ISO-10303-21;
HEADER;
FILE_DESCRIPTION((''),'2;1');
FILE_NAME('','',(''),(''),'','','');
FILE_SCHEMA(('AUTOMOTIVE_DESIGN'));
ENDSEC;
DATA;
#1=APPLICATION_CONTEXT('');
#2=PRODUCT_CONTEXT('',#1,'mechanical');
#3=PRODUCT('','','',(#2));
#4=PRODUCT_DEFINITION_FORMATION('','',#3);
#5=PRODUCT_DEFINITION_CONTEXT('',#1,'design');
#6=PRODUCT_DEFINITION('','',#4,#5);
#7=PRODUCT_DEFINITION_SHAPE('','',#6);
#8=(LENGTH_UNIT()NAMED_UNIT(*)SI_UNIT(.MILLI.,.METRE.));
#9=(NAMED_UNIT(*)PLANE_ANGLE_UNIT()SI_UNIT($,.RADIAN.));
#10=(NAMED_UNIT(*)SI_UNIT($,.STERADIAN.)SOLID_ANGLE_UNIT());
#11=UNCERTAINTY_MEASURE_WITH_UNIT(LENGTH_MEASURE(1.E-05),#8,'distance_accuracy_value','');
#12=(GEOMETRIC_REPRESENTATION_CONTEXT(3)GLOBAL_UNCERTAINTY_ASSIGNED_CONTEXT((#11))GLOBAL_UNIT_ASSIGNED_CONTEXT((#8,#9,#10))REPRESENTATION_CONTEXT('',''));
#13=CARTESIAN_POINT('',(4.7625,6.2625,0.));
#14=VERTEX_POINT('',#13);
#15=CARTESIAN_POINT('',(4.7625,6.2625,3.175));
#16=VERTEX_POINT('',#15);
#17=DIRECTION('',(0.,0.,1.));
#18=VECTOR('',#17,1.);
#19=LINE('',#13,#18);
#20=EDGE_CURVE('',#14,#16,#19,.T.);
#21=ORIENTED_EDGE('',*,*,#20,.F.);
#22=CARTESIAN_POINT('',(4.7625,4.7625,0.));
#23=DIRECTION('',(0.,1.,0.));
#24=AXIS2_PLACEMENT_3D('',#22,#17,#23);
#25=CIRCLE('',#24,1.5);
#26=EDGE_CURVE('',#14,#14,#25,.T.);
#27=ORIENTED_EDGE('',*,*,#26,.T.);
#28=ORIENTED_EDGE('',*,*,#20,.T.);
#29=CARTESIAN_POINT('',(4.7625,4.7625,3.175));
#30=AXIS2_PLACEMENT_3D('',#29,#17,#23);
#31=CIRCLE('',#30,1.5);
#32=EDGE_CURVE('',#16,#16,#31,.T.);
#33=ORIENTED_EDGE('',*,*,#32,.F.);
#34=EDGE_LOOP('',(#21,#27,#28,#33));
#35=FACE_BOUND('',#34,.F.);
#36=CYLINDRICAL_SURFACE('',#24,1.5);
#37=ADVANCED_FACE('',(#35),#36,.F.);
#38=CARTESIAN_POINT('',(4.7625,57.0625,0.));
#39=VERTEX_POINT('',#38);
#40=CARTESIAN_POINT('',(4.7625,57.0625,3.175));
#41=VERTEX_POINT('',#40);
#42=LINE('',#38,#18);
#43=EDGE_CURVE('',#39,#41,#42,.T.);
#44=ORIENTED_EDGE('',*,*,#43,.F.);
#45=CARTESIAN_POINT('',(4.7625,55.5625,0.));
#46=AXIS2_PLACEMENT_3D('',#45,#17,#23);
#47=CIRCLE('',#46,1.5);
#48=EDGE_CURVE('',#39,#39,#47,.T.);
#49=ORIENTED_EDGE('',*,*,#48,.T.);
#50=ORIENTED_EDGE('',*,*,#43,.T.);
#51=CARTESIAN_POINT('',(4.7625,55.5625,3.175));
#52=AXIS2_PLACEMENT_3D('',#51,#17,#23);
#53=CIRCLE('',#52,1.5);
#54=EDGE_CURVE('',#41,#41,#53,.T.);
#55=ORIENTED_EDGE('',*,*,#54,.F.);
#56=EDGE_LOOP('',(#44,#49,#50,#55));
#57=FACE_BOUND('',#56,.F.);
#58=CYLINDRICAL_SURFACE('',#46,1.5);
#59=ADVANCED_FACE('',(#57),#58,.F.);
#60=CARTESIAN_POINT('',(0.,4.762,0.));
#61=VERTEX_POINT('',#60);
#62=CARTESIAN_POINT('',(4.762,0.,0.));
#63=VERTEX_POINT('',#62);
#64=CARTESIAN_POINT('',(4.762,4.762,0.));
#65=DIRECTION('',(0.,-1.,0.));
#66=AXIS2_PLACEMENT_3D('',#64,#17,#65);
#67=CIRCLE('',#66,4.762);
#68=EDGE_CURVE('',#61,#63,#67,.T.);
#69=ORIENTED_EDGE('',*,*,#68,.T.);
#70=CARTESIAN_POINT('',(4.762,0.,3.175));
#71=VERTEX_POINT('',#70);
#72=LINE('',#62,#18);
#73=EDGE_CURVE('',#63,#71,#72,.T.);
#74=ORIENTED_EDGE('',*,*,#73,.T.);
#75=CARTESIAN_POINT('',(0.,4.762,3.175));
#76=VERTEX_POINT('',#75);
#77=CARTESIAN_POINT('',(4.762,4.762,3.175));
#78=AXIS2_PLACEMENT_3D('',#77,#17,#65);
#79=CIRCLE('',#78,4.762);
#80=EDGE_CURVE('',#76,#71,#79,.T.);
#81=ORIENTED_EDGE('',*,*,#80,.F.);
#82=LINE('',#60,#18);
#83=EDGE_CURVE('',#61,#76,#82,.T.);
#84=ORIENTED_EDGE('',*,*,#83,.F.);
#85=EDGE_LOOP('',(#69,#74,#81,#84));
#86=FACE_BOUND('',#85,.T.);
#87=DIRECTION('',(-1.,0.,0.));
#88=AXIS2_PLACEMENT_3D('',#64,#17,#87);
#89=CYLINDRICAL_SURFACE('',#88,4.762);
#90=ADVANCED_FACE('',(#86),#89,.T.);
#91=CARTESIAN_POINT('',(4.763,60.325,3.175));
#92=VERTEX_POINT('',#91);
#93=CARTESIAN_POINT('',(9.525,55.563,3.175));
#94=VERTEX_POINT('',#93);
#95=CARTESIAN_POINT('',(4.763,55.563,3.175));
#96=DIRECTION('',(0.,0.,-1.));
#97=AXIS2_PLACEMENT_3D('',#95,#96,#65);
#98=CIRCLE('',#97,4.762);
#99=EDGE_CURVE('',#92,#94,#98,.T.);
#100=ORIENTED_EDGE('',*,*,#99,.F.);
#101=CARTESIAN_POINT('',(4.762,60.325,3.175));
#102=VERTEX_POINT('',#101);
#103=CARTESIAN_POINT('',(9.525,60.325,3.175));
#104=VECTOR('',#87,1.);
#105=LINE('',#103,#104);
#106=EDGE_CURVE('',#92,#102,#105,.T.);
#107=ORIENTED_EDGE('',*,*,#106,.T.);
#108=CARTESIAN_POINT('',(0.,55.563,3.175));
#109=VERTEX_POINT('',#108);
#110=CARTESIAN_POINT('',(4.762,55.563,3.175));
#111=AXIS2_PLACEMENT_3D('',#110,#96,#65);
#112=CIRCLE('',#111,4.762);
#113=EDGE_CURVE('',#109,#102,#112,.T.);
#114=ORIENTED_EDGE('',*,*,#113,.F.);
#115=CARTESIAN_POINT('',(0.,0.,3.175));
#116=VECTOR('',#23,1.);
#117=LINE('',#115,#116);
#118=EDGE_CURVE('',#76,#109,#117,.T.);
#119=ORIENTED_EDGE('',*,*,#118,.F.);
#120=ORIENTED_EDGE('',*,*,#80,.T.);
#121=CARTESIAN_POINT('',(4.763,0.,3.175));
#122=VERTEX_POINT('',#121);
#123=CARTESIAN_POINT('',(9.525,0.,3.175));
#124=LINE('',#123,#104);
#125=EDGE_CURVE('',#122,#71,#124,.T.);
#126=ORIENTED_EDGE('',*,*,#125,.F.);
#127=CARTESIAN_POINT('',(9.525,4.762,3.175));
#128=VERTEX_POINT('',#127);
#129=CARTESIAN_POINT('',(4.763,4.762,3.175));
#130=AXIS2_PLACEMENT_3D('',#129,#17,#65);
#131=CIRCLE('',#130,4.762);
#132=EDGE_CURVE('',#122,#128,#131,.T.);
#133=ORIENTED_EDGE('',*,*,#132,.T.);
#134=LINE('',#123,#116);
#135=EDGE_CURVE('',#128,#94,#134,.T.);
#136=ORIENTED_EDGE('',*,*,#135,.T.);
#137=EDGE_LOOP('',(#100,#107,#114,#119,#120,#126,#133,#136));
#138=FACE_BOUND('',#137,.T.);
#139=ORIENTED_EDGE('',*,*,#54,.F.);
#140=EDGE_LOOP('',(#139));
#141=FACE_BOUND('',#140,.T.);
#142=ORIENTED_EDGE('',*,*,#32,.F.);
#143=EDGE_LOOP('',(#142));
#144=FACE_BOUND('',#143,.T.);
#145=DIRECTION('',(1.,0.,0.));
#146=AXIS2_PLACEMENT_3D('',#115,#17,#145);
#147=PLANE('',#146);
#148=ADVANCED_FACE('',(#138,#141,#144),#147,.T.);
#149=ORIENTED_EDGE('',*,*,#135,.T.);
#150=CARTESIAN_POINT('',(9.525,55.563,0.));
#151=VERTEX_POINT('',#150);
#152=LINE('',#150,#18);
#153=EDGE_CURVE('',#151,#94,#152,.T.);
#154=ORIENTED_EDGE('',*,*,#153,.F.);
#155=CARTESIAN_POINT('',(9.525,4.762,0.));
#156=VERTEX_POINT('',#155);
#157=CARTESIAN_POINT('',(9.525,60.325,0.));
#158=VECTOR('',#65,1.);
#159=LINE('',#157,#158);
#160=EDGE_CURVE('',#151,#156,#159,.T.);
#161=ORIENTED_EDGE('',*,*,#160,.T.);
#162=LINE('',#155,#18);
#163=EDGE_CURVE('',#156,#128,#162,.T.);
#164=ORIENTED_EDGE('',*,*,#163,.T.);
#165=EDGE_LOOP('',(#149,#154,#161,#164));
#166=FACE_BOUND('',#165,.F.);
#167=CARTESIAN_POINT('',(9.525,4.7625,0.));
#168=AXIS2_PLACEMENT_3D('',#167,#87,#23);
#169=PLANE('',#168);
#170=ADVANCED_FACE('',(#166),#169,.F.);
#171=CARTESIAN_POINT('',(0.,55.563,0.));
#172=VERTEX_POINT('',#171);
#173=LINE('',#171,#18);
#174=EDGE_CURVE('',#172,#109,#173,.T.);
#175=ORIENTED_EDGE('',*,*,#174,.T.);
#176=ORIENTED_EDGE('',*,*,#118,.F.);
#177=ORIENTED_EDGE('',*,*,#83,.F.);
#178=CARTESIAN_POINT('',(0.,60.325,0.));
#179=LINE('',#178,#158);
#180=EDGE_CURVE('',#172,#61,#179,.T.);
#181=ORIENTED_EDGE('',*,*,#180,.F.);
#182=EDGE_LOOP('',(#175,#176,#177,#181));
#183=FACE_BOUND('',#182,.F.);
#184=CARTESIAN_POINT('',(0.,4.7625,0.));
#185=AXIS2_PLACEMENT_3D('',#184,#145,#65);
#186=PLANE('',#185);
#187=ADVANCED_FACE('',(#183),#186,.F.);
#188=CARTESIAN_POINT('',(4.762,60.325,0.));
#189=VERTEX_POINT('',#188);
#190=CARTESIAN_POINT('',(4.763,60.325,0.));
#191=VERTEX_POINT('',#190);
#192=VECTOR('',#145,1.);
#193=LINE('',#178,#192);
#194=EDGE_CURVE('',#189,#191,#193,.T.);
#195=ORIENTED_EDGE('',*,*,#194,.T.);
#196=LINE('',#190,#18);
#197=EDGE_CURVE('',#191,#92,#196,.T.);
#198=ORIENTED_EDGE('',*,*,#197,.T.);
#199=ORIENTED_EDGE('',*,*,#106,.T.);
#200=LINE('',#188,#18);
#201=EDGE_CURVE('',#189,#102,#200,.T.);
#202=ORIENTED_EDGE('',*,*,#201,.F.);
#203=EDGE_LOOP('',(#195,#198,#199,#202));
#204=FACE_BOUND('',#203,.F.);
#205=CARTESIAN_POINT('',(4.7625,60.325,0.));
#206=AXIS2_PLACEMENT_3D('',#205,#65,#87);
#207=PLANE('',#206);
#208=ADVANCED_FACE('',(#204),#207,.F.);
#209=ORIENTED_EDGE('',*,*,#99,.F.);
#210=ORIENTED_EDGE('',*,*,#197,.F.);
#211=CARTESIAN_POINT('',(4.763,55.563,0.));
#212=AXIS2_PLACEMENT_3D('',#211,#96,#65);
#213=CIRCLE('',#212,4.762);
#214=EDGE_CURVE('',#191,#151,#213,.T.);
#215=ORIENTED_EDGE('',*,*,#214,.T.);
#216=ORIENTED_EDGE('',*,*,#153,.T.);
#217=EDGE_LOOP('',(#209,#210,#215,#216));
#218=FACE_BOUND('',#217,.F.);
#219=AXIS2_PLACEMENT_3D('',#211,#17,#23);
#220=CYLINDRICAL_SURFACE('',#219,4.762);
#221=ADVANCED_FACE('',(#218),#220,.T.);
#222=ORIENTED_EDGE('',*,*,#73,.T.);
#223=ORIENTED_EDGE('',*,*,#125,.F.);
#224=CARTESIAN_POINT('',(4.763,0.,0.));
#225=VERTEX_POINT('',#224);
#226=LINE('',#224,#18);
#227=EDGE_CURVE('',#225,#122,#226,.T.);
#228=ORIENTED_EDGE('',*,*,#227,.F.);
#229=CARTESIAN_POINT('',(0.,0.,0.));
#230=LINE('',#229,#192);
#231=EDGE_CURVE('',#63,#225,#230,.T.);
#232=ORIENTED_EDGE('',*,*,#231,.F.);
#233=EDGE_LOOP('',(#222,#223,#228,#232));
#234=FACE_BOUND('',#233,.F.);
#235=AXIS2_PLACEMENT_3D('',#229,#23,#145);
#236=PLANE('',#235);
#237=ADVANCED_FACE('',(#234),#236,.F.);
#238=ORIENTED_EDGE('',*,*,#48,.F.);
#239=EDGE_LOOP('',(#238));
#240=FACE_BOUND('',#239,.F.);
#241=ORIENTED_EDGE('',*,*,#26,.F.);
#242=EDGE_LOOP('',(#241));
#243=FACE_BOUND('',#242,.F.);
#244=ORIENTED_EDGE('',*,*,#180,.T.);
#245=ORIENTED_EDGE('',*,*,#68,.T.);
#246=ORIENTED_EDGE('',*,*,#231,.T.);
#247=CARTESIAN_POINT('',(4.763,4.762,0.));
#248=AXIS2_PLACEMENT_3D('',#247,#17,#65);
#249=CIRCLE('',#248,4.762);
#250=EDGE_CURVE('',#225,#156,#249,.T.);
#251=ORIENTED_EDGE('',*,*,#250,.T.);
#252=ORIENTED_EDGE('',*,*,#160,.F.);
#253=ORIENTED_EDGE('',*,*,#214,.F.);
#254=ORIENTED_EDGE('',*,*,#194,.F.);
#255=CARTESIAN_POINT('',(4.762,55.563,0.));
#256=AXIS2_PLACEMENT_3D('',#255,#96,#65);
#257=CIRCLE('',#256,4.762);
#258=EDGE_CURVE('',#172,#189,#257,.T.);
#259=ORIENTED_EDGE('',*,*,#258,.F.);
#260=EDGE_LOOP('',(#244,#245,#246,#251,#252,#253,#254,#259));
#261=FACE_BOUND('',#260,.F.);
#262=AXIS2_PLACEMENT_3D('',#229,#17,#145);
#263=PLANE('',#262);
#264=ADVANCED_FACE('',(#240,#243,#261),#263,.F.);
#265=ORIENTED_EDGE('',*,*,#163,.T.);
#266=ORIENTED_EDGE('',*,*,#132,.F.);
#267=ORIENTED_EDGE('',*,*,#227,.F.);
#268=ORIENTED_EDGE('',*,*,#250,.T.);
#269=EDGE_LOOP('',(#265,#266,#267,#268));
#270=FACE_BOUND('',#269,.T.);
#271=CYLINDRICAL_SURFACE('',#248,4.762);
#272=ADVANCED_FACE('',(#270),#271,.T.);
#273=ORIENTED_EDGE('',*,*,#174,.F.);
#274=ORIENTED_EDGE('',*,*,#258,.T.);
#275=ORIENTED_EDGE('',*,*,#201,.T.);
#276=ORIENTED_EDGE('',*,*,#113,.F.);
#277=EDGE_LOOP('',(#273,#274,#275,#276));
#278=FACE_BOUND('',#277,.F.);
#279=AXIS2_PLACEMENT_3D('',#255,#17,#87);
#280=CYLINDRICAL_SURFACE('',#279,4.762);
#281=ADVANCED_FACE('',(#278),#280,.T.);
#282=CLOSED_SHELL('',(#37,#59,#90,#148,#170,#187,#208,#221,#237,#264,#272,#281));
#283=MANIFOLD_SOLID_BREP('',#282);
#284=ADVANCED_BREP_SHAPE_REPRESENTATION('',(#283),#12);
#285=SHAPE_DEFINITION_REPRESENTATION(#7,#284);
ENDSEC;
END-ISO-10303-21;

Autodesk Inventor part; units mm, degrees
ref_plane "YZ Plane" through (0, 0, 0) normal (1, 0, 0) x (0, 1, 0)
ref_plane "XZ Plane" through (0, 0, 0) normal (0, 1, 0) x (-1, 0, 0)
ref_plane "XY Plane" through (0, 0, 0) normal (0, 0, 1) x (1, 0, 0)
sketch "Sketch1" plane through (0, 0, 0) normal (0, 0, 1) x (1, 0, 0)
  line L0 (0, 0) -> (9.525, 0)
  line L1 (9.525, 0) -> (9.525, 60.325)
  line L2 (9.525, 60.325) -> (0, 60.325)
  line L3 (0, 60.325) -> (0, 0)
  circle A0 centre (4.7625, 55.5625) radius 4.7625
  circle A1 centre (4.7625, 4.7625) radius 4.7625
  point P0 (4.7625, 0)
  dimension "d0" = 50.8
  dimension "d3" = 9.525
extrude "Extrusion1" add sketch "Sketch1" along normal blind 3.175
hole "Hole1" at (4.7625, 4.7625, 0) at (4.7625, 55.5625, 0) direction (0, 0, 1) diameter 3 end through all
fillet "Fillet1" radius 4.7625 4 edges at (9.525, 0, 1.5875) (0, 0, 1.5875) (0, 60.325, 1.5875) (9.525, 60.325, 1.5875)
sketch "Sketch2" plane through (0, 0, 3.175) normal (0, 0, 1) x (1, 0, 0)
  circle A0 centre (4.7625, 4.7625) radius 1.5 projected
  circle A1 centre (4.7625, 55.5625) radius 1.5 projected
  arc A2 (9.525, 55.5625) -> (0, 55.5625) centre (4.7625, 55.5625) ccw projected
  line L0 (0, 55.5625) -> (0, 4.7625) projected
  arc A3 (0, 4.7625) -> (9.525, 4.7625) centre (4.7625, 4.7625) ccw projected
  line L1 (9.525, 4.7625) -> (9.525, 55.5625) projected
  point P0 (0, 0)
equation "\"d13\" = 0.5 * d3"
properties part number "Linkage"
